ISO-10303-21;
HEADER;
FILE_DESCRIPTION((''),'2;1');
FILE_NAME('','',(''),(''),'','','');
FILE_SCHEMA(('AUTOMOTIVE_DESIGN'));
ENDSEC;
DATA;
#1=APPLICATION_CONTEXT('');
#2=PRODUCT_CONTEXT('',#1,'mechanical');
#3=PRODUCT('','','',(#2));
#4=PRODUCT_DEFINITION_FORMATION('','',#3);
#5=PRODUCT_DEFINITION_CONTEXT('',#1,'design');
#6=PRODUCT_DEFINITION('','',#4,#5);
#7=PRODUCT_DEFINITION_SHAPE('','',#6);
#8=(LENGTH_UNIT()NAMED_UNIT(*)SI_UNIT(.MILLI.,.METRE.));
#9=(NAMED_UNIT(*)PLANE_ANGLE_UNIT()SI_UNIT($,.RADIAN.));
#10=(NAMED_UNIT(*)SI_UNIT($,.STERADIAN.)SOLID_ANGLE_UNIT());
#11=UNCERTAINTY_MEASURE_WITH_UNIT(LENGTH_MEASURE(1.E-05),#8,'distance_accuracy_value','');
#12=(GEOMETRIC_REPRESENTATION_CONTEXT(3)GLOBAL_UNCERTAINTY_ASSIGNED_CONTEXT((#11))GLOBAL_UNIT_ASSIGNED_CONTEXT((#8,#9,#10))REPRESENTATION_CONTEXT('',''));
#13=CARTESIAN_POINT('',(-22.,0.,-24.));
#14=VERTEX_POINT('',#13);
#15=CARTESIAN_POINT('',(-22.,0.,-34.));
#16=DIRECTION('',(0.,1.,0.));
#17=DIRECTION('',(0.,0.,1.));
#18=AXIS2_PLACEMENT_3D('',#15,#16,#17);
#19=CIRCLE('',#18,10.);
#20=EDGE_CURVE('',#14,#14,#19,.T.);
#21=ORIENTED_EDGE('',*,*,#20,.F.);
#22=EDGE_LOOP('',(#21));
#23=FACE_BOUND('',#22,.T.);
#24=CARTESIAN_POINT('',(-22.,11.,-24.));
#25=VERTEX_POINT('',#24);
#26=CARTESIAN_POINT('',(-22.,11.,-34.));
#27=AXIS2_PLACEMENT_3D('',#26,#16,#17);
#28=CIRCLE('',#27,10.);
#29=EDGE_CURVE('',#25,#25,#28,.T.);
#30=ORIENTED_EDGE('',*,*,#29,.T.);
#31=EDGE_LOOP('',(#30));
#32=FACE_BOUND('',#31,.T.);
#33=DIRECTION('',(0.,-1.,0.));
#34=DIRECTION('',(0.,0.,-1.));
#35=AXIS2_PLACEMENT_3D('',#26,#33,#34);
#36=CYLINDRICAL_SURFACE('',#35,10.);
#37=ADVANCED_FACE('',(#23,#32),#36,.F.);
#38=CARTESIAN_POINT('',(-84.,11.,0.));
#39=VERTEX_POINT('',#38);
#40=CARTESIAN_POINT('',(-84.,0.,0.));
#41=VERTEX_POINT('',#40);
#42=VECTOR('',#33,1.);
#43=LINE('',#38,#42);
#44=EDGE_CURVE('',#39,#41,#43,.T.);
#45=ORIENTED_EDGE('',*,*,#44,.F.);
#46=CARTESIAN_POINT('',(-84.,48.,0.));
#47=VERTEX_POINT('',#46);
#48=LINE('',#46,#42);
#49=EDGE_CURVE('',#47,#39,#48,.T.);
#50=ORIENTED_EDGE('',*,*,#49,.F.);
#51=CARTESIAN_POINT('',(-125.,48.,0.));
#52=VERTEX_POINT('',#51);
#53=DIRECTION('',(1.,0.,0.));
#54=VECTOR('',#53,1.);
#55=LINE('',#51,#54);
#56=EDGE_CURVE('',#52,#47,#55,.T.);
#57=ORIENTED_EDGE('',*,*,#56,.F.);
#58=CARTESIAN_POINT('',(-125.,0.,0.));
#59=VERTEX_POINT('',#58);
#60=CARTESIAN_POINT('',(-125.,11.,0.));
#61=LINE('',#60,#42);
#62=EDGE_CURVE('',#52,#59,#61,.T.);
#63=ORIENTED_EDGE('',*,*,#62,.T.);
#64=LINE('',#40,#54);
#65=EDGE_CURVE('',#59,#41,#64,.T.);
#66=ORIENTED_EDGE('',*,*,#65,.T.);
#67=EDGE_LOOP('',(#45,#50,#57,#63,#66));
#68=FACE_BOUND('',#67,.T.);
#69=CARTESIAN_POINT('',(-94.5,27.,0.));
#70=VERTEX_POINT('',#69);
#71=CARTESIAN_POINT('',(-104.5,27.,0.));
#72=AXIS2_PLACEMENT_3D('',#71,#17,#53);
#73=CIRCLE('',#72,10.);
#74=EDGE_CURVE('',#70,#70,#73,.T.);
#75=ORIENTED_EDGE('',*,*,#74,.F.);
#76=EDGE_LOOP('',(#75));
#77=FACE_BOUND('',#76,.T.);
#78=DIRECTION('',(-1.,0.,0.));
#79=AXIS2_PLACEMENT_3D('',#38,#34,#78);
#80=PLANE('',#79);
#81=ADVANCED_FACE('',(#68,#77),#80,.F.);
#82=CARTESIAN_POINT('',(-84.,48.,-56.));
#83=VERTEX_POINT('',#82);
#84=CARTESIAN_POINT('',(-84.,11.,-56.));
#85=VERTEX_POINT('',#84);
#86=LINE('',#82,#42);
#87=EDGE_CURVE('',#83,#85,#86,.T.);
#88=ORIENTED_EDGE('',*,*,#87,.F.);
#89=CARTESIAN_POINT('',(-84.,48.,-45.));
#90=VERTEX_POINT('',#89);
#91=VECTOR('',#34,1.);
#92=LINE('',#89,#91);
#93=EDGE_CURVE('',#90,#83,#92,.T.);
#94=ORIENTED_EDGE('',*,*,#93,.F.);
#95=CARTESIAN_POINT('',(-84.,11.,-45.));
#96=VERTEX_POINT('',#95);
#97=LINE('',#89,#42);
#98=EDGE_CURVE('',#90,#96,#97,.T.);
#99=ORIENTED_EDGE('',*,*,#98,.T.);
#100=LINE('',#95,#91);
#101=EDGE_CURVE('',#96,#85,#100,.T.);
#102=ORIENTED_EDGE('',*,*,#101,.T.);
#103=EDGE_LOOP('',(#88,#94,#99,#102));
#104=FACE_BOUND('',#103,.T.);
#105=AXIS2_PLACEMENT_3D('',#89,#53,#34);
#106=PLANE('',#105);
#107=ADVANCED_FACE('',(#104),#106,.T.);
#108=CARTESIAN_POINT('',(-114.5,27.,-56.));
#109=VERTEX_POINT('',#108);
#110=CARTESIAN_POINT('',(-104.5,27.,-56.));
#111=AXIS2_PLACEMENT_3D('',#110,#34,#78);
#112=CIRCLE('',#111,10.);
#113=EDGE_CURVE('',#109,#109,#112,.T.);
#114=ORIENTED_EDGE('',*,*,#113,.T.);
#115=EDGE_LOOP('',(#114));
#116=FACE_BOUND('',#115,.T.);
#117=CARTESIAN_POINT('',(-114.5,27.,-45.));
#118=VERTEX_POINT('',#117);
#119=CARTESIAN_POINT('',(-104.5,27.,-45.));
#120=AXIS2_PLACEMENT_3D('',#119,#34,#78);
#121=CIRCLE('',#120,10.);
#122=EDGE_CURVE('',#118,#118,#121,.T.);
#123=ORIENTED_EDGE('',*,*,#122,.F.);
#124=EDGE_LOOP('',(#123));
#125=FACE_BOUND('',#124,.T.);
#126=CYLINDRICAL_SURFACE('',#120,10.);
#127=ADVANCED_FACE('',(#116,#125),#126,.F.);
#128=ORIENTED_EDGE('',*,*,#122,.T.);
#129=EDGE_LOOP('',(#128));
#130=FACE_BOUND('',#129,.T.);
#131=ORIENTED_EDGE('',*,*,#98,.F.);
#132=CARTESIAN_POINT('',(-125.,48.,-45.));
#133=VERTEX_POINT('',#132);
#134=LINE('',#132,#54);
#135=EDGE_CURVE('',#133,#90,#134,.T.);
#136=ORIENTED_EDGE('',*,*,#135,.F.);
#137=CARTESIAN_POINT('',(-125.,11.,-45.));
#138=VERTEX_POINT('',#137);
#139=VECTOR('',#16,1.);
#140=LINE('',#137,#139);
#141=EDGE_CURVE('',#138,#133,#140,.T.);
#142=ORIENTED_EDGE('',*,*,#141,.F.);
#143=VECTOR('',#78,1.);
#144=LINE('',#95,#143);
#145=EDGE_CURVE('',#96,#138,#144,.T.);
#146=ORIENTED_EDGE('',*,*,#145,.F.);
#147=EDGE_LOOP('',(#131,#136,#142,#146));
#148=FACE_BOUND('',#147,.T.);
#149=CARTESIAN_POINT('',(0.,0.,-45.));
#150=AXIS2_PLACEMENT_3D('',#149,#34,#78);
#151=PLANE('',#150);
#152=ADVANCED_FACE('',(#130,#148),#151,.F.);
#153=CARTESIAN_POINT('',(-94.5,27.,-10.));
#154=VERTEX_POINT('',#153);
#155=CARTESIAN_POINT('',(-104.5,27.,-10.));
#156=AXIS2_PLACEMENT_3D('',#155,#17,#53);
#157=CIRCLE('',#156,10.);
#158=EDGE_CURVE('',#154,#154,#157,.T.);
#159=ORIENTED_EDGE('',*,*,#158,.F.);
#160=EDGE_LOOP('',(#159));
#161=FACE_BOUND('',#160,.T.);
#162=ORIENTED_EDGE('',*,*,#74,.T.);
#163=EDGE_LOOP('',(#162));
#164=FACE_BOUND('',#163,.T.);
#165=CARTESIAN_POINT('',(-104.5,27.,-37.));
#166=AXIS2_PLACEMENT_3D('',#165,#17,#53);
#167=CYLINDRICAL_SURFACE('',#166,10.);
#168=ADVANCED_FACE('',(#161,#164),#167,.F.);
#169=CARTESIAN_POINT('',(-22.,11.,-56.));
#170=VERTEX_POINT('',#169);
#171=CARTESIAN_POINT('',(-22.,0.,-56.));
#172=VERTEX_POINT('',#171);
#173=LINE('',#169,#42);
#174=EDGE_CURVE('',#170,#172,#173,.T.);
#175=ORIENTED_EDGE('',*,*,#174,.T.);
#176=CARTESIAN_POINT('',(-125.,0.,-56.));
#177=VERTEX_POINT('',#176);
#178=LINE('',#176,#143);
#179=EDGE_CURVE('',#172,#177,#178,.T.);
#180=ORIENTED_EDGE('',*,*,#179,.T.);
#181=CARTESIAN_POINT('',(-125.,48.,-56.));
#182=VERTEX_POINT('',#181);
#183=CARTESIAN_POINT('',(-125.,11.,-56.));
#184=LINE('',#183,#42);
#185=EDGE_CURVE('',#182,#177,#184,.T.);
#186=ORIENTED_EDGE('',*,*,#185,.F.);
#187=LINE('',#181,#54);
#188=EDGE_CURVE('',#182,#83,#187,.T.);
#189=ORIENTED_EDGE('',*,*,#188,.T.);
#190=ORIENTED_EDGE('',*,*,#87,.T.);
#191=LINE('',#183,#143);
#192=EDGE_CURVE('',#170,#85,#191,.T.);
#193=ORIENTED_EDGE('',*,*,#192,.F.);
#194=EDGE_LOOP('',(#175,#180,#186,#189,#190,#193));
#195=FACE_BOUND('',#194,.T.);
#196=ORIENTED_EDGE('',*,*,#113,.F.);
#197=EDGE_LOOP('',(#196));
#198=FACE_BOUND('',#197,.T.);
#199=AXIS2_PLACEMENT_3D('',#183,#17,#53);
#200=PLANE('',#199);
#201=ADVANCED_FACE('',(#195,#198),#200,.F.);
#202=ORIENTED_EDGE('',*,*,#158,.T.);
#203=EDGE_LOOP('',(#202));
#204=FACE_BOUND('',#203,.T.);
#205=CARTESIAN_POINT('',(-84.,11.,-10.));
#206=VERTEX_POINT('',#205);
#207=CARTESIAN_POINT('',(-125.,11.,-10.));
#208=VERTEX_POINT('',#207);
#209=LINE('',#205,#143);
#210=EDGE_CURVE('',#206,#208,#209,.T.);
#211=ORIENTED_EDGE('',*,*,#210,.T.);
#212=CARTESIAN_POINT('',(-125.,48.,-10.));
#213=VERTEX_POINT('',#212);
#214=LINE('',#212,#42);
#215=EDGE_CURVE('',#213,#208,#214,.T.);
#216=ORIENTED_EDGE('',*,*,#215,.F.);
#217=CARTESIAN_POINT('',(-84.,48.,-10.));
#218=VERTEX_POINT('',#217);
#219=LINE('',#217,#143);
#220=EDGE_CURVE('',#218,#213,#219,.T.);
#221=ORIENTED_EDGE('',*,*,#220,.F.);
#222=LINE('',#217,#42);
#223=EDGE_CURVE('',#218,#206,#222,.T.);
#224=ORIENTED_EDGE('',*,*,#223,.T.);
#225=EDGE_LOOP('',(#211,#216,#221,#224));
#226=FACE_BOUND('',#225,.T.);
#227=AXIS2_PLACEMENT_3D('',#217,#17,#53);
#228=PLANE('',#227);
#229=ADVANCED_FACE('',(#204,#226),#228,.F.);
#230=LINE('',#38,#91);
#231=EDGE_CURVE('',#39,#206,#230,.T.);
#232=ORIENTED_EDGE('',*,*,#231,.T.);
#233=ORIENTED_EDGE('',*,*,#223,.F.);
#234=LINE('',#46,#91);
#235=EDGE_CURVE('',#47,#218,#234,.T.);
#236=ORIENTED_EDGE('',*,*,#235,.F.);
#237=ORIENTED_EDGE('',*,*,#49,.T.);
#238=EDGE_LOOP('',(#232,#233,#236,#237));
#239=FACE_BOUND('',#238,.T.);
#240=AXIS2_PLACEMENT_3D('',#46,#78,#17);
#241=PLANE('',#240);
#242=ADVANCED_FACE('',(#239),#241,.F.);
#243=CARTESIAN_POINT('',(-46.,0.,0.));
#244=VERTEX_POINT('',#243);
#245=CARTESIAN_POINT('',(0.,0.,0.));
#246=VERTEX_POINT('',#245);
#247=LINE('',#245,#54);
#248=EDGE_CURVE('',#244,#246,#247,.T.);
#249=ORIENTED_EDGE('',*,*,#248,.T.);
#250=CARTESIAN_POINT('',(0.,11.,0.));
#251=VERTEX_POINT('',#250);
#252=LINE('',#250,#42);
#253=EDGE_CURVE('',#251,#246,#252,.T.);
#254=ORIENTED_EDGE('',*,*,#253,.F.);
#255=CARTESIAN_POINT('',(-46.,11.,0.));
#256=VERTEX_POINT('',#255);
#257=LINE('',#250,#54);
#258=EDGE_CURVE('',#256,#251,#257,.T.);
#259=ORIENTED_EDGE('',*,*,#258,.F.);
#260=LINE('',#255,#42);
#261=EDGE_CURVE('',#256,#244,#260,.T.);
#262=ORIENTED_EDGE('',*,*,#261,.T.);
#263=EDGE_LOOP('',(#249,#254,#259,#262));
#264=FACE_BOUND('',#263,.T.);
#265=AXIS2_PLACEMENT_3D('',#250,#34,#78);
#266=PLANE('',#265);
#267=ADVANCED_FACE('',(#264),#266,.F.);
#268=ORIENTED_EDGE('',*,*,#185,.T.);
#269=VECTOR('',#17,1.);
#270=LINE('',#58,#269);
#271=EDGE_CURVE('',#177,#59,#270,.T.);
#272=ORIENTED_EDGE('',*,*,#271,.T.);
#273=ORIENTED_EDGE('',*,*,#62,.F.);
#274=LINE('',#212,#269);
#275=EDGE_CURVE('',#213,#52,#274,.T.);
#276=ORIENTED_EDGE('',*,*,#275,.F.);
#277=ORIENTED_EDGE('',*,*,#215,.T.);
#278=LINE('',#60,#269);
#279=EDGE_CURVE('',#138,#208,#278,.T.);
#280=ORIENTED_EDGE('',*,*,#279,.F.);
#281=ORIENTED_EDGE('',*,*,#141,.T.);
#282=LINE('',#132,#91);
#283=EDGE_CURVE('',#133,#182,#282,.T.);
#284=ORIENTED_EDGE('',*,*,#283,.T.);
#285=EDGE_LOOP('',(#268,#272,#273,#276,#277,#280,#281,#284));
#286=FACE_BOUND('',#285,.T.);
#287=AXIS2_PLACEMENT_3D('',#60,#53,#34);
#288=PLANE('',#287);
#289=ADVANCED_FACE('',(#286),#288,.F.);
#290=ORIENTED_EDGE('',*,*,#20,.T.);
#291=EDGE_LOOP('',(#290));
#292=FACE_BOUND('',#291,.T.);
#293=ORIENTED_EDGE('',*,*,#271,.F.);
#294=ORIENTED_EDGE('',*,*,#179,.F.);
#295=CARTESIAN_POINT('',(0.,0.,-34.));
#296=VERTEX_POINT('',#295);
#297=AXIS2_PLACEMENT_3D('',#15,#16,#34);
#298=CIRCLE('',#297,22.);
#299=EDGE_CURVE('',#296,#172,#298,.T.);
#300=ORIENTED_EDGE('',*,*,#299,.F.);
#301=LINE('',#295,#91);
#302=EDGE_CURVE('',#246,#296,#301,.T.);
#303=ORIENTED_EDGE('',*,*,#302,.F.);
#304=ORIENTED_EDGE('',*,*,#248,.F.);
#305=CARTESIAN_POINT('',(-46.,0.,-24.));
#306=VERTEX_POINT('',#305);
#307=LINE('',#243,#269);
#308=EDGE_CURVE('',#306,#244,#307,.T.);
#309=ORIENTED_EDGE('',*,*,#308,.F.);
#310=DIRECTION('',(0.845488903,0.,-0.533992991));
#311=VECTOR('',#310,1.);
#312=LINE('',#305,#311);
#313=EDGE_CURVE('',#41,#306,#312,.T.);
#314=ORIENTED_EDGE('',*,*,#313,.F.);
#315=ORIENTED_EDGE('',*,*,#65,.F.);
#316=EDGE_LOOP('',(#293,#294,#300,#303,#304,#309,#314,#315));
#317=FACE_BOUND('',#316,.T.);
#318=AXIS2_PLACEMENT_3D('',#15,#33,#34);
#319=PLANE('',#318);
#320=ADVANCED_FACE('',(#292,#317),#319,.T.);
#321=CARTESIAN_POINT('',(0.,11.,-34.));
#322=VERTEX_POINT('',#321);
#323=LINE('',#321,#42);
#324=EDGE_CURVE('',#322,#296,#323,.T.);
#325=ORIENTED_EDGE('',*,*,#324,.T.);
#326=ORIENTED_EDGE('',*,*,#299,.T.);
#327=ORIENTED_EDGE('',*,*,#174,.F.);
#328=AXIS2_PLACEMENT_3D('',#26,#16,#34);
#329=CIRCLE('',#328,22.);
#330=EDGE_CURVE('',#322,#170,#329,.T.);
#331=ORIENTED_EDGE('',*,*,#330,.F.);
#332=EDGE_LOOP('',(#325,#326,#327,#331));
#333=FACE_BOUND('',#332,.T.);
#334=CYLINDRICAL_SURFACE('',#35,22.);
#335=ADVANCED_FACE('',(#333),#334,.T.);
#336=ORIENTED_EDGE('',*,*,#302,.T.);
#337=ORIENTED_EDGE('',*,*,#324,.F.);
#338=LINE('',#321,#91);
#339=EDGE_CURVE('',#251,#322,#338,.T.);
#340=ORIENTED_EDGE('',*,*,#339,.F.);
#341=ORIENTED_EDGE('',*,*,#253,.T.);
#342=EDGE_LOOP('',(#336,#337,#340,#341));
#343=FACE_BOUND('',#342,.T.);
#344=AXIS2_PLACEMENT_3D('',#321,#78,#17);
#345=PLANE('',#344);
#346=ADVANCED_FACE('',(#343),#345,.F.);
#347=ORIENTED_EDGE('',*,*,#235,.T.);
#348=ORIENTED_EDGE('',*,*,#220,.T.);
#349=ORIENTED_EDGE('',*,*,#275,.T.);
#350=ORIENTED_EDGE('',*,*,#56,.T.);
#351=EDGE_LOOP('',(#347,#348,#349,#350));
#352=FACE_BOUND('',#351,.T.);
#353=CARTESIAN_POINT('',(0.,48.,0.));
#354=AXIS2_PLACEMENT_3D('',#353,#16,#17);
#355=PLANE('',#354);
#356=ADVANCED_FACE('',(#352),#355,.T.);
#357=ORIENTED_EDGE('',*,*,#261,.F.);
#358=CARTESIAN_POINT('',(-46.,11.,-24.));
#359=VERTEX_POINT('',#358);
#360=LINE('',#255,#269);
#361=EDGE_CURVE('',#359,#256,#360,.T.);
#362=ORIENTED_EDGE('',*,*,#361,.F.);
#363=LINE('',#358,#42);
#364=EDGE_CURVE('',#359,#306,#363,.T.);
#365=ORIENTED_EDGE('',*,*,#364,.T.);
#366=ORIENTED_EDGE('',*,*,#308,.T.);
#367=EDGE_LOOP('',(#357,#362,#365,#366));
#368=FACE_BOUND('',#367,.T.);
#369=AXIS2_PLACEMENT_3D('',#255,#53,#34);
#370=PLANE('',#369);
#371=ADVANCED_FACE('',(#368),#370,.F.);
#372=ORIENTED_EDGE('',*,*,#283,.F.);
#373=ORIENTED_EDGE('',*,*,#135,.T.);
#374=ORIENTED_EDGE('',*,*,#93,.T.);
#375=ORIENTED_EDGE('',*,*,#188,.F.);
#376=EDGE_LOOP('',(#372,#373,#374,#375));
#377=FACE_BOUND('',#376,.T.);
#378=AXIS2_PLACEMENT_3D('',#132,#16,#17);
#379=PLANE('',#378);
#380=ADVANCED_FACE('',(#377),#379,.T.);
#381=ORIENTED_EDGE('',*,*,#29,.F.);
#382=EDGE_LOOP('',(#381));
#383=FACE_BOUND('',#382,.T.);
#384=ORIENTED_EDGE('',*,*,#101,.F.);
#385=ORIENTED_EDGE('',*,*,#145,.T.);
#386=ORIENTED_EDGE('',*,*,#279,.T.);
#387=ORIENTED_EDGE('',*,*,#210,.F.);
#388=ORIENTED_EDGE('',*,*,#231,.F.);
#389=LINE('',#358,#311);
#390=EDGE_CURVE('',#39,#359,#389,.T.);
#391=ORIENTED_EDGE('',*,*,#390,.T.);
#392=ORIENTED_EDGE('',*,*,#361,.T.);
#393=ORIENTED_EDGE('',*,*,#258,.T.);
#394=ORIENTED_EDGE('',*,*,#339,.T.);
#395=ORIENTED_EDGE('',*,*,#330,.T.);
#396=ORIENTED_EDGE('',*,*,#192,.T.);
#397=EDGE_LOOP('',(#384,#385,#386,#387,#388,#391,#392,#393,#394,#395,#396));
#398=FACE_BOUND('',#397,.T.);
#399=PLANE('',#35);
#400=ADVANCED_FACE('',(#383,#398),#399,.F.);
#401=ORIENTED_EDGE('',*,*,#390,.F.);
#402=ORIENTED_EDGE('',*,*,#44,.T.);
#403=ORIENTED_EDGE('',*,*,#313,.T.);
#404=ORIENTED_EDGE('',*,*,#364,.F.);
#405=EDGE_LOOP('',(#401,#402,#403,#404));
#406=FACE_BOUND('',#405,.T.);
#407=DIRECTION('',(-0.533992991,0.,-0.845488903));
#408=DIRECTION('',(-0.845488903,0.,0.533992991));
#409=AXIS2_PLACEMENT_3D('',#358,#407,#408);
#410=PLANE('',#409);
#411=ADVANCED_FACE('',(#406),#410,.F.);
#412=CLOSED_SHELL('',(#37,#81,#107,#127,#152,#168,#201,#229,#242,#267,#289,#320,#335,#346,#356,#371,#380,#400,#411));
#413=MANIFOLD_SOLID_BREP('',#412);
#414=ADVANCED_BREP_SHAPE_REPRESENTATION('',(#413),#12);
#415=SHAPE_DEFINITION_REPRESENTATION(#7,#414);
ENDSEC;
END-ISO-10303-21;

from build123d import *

# Parameters (mm, degrees)
SKETCH1_R           = 10
BOSS_EXTRUDE1_DEPTH = 11
SKETCH3_W           = 41
SKETCH3_H           = 10
BOSS_EXTRUDE2_DEPTH = 37
SKETCH4_R           = 10
CUT_EXTRUDE1_DEPTH  = 37
BOSS_EXTRUDE3_START = -11
SKETCH5_W           = 41
SKETCH5_H           = 37
SKETCH5_R           = 10
BOSS_EXTRUDE3_DEPTH = 11


with BuildPart() as part:
    # Sketch1 → Boss-Extrude1 (new body)
    with BuildSketch(Plane(origin=(0, 0, 0), x_dir=(1, 0, 0), z_dir=(0, 1, 0))):
        with BuildLine():
            Line((0, 0), (-46, 0))
            Line((-46, 0), (-46, 24))
            Line((-46, 24), (-84, 0))
            Line((-84, 0), (-125, 0))
            Line((-125, 0), (-125, 56))
            Line((-125, 56), (-22, 56))
            ThreePointArc((-22, 56), (-6.443650814, 49.556349186), (0, 34))
            Line((0, 34), (0, 0))
        make_face()
        with Locations(Location((-22, 34, 0), (0, 0, 270))):
            Circle(SKETCH1_R, mode=Mode.SUBTRACT)
    extrude(amount=BOSS_EXTRUDE1_DEPTH)

    # Sketch3 → Boss-Extrude2 (add)
    with BuildSketch(Plane(origin=(0, 11, 0), x_dir=(1, 0, 0), z_dir=(0, 1, 0))):
        with Locations((-104.5, 5)):
            Rectangle(SKETCH3_W, SKETCH3_H)
    extrude(amount=BOSS_EXTRUDE2_DEPTH)

    # Sketch4 → Cut-Extrude1 (cut)
    with BuildSketch(Plane.XY):
        with Locations((-104.5, 27)):
            Circle(SKETCH4_R)
    extrude(amount=-CUT_EXTRUDE1_DEPTH, mode=Mode.SUBTRACT)

    # Sketch5 → Boss-Extrude3 (add)
    with BuildSketch(Plane(origin=(0, 0, -56), x_dir=(-1, 0, 0), z_dir=(0, 0, -1)).offset(BOSS_EXTRUDE3_START)):
        with Locations((104.5, 29.5)):
            Rectangle(SKETCH5_W, SKETCH5_H)
        with Locations(Location((104.5, 27, 0), (0, 0, 180))):
            Circle(SKETCH5_R, mode=Mode.SUBTRACT)
    extrude(amount=BOSS_EXTRUDE3_DEPTH)


solid = part.part
